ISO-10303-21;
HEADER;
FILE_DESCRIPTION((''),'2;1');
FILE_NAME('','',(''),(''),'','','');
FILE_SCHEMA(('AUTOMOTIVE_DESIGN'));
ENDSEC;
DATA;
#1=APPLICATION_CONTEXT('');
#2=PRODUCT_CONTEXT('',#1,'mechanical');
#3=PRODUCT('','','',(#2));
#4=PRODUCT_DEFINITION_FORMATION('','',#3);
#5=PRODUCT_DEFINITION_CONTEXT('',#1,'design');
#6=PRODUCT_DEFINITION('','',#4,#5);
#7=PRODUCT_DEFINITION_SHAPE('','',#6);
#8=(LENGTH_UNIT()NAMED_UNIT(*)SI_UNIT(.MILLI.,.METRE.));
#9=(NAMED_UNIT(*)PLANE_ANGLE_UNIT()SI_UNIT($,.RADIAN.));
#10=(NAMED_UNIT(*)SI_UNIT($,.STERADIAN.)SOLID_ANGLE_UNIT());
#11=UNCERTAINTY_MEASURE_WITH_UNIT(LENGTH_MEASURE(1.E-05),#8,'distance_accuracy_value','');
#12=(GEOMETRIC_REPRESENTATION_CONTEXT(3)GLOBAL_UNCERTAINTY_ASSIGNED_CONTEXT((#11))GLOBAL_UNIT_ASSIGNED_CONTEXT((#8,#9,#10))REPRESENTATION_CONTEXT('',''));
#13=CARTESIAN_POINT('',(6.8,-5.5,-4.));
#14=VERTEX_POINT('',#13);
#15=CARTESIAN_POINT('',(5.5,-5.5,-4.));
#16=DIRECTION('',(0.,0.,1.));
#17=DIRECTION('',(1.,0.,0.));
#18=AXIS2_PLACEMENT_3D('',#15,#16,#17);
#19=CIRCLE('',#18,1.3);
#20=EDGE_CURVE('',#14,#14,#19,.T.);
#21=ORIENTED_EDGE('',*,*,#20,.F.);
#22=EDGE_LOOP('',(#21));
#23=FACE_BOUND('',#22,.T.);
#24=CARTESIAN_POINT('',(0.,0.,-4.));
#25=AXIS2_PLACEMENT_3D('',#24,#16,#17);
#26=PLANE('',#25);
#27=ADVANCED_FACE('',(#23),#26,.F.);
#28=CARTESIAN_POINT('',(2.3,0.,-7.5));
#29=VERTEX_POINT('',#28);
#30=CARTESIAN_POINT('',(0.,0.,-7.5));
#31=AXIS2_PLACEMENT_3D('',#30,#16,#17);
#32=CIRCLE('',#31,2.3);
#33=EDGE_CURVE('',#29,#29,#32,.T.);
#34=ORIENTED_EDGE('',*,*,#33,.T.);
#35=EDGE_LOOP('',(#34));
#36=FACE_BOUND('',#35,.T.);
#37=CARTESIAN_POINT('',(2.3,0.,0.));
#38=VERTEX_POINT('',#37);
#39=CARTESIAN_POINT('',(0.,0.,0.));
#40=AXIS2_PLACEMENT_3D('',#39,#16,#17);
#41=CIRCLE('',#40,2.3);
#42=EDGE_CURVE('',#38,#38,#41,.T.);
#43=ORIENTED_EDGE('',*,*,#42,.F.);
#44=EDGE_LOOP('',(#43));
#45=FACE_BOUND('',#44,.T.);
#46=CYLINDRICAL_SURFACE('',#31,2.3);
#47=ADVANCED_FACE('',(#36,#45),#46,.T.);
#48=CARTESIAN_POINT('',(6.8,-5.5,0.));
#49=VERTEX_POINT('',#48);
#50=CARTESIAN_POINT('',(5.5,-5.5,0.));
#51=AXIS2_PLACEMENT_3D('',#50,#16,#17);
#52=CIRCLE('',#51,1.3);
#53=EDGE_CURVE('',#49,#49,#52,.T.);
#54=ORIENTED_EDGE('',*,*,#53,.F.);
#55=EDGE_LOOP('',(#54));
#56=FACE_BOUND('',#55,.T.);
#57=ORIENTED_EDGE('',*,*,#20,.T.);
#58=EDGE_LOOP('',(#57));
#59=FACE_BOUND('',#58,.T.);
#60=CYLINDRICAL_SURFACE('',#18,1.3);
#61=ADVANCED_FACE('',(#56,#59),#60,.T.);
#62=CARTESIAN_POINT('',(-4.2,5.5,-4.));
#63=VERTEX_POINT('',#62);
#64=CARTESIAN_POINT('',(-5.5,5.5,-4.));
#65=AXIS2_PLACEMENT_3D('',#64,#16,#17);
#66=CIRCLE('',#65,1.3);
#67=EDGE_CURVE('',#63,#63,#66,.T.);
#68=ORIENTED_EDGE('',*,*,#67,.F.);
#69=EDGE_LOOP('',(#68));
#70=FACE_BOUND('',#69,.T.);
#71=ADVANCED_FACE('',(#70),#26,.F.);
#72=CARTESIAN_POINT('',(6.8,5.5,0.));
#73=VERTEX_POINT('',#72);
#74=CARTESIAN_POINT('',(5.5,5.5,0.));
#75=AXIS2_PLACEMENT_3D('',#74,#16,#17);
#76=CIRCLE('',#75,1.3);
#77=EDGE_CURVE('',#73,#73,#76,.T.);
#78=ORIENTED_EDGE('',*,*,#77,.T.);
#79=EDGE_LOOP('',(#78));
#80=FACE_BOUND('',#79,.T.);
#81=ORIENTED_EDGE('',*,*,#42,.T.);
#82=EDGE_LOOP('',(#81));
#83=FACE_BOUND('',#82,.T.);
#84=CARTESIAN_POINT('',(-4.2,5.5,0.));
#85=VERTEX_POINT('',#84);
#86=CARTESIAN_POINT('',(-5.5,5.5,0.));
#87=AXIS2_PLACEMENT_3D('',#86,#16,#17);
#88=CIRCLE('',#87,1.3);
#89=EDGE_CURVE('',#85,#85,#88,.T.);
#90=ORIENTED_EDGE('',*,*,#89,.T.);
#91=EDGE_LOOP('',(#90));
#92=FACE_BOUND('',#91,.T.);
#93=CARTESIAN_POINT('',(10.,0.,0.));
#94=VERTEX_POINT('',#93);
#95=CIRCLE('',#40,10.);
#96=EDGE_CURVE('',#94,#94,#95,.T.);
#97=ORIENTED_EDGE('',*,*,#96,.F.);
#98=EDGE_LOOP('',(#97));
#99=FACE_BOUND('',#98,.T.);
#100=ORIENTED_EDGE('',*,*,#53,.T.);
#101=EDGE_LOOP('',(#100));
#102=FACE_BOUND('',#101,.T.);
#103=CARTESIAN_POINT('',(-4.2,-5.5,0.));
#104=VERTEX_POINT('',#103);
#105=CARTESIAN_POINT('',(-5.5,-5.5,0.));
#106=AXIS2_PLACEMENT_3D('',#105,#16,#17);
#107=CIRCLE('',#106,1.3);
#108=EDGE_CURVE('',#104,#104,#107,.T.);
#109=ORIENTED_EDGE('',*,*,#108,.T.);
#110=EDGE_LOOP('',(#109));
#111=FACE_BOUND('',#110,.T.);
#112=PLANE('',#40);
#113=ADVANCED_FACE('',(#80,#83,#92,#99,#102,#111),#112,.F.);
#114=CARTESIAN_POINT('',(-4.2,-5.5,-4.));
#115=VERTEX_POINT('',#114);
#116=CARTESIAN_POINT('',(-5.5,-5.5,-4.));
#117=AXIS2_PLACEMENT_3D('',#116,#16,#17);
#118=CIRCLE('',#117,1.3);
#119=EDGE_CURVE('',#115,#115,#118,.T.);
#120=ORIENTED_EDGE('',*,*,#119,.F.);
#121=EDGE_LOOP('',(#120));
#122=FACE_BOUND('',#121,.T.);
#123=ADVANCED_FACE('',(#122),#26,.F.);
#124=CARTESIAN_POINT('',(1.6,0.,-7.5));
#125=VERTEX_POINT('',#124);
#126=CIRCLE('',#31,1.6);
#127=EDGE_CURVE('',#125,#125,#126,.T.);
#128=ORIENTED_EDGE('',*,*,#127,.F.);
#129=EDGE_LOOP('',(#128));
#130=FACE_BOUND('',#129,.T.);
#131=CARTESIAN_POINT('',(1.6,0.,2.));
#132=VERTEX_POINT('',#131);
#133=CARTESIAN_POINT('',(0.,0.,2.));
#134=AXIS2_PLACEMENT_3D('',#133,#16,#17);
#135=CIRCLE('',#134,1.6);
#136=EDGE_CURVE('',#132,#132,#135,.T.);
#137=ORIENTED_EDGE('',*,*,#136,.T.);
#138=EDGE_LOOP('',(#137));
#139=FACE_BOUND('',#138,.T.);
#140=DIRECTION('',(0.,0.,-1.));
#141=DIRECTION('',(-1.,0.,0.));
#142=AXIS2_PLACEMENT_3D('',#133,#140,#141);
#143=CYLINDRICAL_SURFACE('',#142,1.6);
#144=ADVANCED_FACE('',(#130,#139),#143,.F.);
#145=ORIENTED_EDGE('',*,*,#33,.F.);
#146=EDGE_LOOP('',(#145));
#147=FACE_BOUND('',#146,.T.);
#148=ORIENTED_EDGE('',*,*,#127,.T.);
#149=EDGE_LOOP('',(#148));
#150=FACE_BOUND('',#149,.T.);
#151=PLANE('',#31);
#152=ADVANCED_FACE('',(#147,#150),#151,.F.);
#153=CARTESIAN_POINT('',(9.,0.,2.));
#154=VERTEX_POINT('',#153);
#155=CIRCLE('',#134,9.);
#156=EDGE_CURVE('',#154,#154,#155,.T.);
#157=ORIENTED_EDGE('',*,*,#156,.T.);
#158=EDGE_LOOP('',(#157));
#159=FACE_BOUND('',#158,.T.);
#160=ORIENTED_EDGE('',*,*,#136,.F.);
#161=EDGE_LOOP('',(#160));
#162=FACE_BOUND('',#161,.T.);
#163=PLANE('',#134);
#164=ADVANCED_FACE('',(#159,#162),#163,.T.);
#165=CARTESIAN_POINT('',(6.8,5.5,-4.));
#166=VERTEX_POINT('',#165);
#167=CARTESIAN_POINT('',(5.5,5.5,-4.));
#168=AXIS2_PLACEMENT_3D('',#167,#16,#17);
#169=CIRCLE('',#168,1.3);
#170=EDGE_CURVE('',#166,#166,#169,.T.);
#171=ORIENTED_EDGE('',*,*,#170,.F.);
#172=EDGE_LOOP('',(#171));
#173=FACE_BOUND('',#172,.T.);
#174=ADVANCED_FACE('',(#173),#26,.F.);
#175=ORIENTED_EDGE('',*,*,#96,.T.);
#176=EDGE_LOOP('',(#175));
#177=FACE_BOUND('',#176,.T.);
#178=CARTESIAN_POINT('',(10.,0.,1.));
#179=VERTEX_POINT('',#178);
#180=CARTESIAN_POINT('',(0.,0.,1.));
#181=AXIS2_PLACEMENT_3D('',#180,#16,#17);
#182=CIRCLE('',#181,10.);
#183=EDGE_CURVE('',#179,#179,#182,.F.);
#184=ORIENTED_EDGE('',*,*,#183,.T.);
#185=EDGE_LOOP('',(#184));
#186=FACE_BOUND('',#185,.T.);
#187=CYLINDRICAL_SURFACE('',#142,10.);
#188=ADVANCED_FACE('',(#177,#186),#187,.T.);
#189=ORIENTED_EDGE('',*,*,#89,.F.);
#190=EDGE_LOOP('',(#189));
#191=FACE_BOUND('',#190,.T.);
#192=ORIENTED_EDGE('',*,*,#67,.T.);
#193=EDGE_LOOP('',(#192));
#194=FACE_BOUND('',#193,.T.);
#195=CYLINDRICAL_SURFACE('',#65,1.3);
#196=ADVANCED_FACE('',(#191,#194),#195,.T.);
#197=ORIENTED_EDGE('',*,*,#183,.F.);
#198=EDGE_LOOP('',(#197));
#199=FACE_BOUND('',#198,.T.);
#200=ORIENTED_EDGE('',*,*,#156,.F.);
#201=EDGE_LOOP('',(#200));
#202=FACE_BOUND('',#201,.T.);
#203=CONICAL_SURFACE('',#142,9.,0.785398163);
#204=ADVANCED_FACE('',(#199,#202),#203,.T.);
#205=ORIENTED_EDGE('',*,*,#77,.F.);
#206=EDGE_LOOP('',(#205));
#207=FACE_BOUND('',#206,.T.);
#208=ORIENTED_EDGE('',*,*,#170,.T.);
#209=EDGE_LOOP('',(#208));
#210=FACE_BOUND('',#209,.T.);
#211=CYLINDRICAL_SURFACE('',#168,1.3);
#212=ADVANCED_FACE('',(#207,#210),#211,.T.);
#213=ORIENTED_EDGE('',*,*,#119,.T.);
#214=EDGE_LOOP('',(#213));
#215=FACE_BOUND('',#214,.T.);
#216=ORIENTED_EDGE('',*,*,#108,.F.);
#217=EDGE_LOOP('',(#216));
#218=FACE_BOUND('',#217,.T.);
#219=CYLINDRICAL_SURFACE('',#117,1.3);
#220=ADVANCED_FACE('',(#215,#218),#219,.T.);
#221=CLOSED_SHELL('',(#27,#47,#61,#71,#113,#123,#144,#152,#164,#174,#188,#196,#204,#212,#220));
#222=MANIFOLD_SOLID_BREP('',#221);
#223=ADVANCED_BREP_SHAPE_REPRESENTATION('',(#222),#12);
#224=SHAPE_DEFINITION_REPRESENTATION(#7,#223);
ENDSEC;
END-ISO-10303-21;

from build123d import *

# Parameters (mm, degrees)
SKETCH1_R           = 10
SKETCH1_R_2         = 1.6
BOSS_EXTRUDE1_DEPTH = 2
SKETCH1_3_R         = 1.3
BOSS_EXTRUDE2_DEPTH = 4
CHAMFER1_SIZE       = 1
BOSS_EXTRUDE4_START = -7.5
SKETCH1_5_R         = 2.3
SKETCH1_5_R_2       = 1.6
BOSS_EXTRUDE4_DEPTH = 7.5


with BuildPart() as part:
    # Sketch1 → Boss-Extrude1 (new body)
    with BuildSketch(Plane.XY):
        Circle(SKETCH1_R)
        Circle(SKETCH1_R_2, mode=Mode.SUBTRACT)
    extrude(amount=BOSS_EXTRUDE1_DEPTH)

    # Sketch1<3> → Boss-Extrude2 (add)
    with BuildSketch(Plane.XY):
        with Locations((5.5, 5.5)):
            Circle(SKETCH1_3_R)
        with Locations((5.5, -5.5)):
            Circle(SKETCH1_3_R)
        with Locations((-5.5, -5.5)):
            Circle(SKETCH1_3_R)
        with Locations((-5.5, 5.5)):
            Circle(SKETCH1_3_R)
    extrude(amount=-BOSS_EXTRUDE2_DEPTH)

    # Chamfer1
    chamfer1_edges = [part.edges().sort_by_distance(p)[0] for p in [
        (-10, 0, 2),
    ]]
    chamfer(chamfer1_edges, length=CHAMFER1_SIZE)

    # Sketch1<5> → Boss-Extrude4 (add)
    with BuildSketch(Plane.XY.offset(BOSS_EXTRUDE4_START)):
        Circle(SKETCH1_5_R)
        Circle(SKETCH1_5_R_2, mode=Mode.SUBTRACT)
    extrude(amount=BOSS_EXTRUDE4_DEPTH)


solid = part.part
